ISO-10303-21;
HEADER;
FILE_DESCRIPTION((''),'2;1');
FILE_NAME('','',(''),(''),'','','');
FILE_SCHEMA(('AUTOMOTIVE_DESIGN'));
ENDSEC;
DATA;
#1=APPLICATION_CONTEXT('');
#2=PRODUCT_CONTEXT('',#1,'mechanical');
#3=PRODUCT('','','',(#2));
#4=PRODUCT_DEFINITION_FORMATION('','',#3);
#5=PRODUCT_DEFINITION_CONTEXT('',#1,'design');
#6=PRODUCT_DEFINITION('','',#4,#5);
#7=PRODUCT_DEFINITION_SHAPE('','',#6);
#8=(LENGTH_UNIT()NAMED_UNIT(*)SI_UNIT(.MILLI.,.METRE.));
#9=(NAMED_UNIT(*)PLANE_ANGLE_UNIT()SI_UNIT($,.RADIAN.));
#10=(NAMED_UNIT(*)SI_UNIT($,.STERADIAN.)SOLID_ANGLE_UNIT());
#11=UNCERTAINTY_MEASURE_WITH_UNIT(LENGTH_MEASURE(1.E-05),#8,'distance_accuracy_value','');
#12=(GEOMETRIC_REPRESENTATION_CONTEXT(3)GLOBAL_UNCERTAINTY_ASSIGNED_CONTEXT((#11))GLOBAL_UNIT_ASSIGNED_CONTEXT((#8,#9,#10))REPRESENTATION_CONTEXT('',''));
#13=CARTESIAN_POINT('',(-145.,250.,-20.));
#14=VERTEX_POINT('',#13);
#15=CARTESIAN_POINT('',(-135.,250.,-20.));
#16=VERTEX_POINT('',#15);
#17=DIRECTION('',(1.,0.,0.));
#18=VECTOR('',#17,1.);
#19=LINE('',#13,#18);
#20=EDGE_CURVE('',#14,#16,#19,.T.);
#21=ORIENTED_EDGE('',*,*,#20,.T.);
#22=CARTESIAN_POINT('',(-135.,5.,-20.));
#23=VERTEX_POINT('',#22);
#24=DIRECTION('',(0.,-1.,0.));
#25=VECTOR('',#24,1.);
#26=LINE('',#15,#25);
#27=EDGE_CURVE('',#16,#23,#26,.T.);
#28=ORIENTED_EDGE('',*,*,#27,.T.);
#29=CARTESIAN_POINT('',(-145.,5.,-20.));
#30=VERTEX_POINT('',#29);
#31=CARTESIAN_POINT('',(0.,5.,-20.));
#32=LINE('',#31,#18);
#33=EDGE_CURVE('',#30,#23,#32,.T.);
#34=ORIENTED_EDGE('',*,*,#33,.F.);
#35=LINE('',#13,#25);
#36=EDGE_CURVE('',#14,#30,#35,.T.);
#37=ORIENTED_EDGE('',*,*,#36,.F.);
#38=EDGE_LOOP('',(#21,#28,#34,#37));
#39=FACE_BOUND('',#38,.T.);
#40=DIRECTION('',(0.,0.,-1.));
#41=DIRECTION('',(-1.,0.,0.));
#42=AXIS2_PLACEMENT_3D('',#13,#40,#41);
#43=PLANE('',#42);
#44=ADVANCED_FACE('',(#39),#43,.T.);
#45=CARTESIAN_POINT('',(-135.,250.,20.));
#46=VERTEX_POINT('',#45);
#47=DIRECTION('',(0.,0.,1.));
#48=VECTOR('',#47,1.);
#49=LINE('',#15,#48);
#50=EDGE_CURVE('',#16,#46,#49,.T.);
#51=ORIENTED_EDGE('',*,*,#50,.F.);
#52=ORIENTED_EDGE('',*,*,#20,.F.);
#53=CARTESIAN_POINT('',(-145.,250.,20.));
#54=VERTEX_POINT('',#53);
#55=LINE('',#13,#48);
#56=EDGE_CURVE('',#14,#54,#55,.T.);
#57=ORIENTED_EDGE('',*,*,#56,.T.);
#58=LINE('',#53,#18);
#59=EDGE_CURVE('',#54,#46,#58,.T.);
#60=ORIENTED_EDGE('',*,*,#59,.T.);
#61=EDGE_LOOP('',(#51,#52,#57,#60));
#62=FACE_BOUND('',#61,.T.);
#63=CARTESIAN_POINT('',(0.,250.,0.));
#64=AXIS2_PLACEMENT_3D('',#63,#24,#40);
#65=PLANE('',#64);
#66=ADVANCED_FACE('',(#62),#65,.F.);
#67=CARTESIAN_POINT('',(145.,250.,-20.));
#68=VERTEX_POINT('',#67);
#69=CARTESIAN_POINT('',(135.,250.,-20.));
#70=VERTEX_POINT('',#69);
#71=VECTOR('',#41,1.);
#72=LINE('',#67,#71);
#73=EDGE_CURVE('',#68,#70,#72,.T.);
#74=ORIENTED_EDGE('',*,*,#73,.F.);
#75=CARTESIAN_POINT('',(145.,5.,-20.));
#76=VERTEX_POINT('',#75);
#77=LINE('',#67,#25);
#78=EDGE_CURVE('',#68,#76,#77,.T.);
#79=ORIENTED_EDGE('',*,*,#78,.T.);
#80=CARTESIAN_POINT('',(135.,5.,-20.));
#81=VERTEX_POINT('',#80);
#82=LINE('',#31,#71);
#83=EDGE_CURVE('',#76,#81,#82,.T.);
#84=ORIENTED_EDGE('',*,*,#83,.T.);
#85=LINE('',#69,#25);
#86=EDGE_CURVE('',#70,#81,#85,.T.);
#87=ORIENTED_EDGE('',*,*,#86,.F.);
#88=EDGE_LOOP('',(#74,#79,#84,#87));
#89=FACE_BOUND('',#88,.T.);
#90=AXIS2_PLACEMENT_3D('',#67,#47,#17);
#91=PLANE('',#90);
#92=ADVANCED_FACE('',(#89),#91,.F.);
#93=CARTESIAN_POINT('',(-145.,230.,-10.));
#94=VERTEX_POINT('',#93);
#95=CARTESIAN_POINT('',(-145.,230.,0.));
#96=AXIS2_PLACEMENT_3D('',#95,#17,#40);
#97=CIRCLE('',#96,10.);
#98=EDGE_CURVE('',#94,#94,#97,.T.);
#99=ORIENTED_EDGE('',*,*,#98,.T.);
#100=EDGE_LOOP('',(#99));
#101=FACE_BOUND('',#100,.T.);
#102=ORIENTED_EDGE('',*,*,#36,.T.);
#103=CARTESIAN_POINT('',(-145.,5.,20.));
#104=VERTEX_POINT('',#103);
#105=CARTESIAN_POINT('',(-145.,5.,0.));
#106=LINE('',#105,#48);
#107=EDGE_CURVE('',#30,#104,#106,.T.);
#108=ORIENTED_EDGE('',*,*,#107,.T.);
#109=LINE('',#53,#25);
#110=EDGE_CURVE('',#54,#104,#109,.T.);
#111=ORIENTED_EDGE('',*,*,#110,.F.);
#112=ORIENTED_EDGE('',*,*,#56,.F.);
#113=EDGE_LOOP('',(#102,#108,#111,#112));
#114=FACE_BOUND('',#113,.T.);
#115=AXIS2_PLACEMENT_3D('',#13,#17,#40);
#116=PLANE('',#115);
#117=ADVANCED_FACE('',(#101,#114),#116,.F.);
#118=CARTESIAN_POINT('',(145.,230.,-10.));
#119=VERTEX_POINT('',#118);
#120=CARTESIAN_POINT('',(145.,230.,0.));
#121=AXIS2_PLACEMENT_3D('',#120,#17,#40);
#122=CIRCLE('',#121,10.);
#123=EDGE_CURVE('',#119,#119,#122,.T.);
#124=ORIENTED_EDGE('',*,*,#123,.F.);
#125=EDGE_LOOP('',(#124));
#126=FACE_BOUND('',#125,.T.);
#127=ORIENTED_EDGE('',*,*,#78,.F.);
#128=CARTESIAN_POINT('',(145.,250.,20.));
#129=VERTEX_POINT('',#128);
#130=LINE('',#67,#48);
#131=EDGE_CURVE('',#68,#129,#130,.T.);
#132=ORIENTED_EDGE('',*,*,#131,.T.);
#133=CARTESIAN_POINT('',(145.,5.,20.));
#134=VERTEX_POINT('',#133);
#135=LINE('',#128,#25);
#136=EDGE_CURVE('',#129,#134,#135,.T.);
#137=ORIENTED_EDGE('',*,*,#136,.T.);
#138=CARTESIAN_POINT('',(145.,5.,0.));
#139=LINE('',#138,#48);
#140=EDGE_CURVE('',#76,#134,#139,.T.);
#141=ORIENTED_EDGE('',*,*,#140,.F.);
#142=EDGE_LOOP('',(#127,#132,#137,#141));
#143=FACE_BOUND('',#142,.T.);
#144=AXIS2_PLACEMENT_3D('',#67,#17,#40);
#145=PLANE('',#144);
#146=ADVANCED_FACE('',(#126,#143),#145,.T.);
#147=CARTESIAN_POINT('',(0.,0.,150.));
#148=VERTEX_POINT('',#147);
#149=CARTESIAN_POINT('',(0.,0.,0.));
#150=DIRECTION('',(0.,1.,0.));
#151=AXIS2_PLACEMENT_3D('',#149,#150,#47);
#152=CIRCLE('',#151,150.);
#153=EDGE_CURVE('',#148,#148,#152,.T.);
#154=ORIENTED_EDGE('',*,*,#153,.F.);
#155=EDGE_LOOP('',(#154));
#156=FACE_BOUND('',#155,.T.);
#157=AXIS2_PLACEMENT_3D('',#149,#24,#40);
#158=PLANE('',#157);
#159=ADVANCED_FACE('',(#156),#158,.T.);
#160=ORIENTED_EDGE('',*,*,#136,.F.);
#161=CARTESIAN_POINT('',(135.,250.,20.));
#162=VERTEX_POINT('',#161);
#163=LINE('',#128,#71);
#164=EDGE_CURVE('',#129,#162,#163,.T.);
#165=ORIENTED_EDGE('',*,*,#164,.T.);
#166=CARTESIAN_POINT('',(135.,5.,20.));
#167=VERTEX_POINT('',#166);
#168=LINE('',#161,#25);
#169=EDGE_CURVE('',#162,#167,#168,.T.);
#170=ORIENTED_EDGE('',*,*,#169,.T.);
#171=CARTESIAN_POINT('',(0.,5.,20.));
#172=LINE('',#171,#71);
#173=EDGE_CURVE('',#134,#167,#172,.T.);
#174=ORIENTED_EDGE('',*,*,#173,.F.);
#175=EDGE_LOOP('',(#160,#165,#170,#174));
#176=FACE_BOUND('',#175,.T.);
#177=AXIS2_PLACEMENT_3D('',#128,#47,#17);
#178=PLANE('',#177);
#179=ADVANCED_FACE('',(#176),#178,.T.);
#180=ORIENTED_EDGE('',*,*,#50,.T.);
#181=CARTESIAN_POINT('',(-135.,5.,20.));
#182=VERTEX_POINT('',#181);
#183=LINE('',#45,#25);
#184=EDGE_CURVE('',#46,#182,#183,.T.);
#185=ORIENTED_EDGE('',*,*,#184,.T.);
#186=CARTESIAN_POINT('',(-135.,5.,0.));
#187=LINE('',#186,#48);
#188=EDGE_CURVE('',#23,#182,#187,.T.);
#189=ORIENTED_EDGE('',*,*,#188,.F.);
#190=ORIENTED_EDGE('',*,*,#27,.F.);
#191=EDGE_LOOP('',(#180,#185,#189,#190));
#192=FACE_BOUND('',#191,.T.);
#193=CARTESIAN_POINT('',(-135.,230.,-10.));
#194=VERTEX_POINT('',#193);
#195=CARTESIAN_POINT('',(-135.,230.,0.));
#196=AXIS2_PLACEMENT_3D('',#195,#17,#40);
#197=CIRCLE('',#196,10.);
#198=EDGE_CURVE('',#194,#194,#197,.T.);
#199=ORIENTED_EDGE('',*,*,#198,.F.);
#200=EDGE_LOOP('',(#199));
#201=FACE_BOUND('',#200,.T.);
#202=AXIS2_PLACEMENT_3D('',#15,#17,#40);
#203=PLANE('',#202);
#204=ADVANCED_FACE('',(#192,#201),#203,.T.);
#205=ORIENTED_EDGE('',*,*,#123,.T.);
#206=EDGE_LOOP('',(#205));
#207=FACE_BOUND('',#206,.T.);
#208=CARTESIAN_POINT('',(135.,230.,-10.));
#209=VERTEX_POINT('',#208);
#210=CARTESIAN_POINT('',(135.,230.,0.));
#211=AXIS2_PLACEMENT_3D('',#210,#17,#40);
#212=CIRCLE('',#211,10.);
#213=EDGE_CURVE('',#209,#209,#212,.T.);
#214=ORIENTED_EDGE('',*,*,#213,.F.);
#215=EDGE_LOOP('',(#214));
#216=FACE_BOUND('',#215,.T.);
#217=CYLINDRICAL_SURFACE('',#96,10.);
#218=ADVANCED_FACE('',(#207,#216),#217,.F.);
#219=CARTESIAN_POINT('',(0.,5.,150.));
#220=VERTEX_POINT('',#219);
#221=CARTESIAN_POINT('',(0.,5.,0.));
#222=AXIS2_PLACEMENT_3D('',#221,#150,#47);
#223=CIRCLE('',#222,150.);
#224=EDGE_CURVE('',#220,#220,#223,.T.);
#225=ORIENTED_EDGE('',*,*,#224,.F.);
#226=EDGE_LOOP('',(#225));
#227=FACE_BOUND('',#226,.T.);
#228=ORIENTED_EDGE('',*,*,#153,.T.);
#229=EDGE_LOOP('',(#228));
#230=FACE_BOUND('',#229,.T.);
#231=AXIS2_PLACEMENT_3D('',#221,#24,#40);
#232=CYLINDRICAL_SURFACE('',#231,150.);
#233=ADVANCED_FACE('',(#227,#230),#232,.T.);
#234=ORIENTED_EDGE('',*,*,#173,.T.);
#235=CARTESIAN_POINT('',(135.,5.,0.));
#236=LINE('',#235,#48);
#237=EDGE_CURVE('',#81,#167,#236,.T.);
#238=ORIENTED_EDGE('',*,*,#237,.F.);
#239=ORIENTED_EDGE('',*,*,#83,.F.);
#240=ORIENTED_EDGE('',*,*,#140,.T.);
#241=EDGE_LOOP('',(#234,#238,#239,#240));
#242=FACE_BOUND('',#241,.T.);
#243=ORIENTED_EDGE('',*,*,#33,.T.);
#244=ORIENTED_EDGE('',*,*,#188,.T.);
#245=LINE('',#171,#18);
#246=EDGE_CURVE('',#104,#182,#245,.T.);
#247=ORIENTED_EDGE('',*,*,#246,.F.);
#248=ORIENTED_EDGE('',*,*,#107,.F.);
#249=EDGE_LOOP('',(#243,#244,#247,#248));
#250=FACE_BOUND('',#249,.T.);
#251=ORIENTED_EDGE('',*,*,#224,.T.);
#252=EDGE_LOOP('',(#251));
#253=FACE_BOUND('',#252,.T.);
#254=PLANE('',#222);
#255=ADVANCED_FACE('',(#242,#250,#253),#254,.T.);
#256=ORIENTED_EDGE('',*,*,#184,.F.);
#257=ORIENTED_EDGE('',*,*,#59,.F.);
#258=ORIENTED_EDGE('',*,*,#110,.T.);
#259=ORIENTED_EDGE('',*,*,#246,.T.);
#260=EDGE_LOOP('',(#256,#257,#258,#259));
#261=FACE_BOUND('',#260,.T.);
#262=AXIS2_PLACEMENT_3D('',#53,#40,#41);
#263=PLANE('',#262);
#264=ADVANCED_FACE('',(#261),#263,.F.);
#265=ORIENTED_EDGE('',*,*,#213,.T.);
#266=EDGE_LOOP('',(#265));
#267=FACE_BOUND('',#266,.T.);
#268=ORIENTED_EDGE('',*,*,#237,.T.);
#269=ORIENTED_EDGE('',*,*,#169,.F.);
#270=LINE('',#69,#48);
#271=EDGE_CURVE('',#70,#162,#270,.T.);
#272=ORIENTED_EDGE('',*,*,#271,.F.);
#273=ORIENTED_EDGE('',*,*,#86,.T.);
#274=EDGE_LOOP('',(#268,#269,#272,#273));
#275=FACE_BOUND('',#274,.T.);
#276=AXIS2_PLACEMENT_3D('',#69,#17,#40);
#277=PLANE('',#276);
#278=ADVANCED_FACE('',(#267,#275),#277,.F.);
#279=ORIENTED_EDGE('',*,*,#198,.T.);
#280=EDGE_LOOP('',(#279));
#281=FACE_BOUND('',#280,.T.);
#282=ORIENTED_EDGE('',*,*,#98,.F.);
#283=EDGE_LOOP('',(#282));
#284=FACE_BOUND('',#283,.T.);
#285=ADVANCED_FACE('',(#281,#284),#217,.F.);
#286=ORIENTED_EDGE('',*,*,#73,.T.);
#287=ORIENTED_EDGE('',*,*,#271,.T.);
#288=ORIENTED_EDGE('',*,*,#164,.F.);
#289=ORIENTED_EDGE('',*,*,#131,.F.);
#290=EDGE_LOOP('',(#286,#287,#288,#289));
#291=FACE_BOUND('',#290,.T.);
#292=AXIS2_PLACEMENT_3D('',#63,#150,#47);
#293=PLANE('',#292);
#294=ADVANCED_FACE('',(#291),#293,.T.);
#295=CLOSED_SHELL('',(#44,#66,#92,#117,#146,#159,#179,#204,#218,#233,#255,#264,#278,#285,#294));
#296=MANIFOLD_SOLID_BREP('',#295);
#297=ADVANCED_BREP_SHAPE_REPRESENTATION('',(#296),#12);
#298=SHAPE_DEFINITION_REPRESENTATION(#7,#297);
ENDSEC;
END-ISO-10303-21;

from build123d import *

# Parameters (mm, degrees)
SZKIC1_W                      = 10
SZKIC1_H                      = 40
DODANIE_WYCI_GNI_CIE1_DEPTH   = 250
DODANIE_WYCI_GNI_CIE1_2_DEPTH = 250
SZKIC1_3_R                    = 150
DODANIE_WYCI_GNI_CIE2_DEPTH   = 5
SZKIC2_R                      = 10
WYTNIJ_WYCI_GNI_CIE1_DEPTH    = 290


with BuildPart() as part:
    # Szkic1 → Dodanie-wyciągnięcie1 (new body)
    with BuildSketch(Plane(origin=(0, 0, 0), x_dir=(1, 0, 0), z_dir=(0, 1, 0))):
        with Locations((140, 0)):
            Rectangle(SZKIC1_W, SZKIC1_H)
    extrude(amount=DODANIE_WYCI_GNI_CIE1_DEPTH)



with BuildPart() as body_2:
    # Szkic1 → Dodanie-wyci_gni_cie1 2 (new body)
    with BuildSketch(Plane(origin=(0, 0, 0), x_dir=(1, 0, 0), z_dir=(0, 1, 0))):
        with Locations((-140, 0)):
            Rectangle(SZKIC1_W, SZKIC1_H)
    extrude(amount=DODANIE_WYCI_GNI_CIE1_2_DEPTH)


with BuildPart() as part_1:
    add(part.part)

    add(body_2.part)  # Dodanie-wyciągnięcie2 merges body 2
    # Szkic1<3> → Dodanie-wyciągnięcie2 (add)
    with BuildSketch(Plane(origin=(0, 0, 0), x_dir=(1, 0, 0), z_dir=(0, 1, 0))):
        Circle(SZKIC1_3_R)
        Polygon((-135, 20), (-135, 0), (-135, -20), (-140, -20), (-145, -20), (-145, 20), (-140, 20), align=None, mode=Mode.SUBTRACT)
        Polygon((135, -20), (135, 0), (135, 20), (140, 20), (145, 20), (145, -20), (140, -20), align=None, mode=Mode.SUBTRACT)
    extrude(amount=DODANIE_WYCI_GNI_CIE2_DEPTH)

    # Szkic2 → Wytnij-wyciągnięcie1 (cut)
    with BuildSketch(Plane(origin=(145, 0, 0), x_dir=(0, 0, -1), z_dir=(1, 0, 0))):
        with Locations((0, 230)):
            Circle(SZKIC2_R)
    extrude(amount=-WYTNIJ_WYCI_GNI_CIE1_DEPTH, mode=Mode.SUBTRACT)


solid = part_1.part
